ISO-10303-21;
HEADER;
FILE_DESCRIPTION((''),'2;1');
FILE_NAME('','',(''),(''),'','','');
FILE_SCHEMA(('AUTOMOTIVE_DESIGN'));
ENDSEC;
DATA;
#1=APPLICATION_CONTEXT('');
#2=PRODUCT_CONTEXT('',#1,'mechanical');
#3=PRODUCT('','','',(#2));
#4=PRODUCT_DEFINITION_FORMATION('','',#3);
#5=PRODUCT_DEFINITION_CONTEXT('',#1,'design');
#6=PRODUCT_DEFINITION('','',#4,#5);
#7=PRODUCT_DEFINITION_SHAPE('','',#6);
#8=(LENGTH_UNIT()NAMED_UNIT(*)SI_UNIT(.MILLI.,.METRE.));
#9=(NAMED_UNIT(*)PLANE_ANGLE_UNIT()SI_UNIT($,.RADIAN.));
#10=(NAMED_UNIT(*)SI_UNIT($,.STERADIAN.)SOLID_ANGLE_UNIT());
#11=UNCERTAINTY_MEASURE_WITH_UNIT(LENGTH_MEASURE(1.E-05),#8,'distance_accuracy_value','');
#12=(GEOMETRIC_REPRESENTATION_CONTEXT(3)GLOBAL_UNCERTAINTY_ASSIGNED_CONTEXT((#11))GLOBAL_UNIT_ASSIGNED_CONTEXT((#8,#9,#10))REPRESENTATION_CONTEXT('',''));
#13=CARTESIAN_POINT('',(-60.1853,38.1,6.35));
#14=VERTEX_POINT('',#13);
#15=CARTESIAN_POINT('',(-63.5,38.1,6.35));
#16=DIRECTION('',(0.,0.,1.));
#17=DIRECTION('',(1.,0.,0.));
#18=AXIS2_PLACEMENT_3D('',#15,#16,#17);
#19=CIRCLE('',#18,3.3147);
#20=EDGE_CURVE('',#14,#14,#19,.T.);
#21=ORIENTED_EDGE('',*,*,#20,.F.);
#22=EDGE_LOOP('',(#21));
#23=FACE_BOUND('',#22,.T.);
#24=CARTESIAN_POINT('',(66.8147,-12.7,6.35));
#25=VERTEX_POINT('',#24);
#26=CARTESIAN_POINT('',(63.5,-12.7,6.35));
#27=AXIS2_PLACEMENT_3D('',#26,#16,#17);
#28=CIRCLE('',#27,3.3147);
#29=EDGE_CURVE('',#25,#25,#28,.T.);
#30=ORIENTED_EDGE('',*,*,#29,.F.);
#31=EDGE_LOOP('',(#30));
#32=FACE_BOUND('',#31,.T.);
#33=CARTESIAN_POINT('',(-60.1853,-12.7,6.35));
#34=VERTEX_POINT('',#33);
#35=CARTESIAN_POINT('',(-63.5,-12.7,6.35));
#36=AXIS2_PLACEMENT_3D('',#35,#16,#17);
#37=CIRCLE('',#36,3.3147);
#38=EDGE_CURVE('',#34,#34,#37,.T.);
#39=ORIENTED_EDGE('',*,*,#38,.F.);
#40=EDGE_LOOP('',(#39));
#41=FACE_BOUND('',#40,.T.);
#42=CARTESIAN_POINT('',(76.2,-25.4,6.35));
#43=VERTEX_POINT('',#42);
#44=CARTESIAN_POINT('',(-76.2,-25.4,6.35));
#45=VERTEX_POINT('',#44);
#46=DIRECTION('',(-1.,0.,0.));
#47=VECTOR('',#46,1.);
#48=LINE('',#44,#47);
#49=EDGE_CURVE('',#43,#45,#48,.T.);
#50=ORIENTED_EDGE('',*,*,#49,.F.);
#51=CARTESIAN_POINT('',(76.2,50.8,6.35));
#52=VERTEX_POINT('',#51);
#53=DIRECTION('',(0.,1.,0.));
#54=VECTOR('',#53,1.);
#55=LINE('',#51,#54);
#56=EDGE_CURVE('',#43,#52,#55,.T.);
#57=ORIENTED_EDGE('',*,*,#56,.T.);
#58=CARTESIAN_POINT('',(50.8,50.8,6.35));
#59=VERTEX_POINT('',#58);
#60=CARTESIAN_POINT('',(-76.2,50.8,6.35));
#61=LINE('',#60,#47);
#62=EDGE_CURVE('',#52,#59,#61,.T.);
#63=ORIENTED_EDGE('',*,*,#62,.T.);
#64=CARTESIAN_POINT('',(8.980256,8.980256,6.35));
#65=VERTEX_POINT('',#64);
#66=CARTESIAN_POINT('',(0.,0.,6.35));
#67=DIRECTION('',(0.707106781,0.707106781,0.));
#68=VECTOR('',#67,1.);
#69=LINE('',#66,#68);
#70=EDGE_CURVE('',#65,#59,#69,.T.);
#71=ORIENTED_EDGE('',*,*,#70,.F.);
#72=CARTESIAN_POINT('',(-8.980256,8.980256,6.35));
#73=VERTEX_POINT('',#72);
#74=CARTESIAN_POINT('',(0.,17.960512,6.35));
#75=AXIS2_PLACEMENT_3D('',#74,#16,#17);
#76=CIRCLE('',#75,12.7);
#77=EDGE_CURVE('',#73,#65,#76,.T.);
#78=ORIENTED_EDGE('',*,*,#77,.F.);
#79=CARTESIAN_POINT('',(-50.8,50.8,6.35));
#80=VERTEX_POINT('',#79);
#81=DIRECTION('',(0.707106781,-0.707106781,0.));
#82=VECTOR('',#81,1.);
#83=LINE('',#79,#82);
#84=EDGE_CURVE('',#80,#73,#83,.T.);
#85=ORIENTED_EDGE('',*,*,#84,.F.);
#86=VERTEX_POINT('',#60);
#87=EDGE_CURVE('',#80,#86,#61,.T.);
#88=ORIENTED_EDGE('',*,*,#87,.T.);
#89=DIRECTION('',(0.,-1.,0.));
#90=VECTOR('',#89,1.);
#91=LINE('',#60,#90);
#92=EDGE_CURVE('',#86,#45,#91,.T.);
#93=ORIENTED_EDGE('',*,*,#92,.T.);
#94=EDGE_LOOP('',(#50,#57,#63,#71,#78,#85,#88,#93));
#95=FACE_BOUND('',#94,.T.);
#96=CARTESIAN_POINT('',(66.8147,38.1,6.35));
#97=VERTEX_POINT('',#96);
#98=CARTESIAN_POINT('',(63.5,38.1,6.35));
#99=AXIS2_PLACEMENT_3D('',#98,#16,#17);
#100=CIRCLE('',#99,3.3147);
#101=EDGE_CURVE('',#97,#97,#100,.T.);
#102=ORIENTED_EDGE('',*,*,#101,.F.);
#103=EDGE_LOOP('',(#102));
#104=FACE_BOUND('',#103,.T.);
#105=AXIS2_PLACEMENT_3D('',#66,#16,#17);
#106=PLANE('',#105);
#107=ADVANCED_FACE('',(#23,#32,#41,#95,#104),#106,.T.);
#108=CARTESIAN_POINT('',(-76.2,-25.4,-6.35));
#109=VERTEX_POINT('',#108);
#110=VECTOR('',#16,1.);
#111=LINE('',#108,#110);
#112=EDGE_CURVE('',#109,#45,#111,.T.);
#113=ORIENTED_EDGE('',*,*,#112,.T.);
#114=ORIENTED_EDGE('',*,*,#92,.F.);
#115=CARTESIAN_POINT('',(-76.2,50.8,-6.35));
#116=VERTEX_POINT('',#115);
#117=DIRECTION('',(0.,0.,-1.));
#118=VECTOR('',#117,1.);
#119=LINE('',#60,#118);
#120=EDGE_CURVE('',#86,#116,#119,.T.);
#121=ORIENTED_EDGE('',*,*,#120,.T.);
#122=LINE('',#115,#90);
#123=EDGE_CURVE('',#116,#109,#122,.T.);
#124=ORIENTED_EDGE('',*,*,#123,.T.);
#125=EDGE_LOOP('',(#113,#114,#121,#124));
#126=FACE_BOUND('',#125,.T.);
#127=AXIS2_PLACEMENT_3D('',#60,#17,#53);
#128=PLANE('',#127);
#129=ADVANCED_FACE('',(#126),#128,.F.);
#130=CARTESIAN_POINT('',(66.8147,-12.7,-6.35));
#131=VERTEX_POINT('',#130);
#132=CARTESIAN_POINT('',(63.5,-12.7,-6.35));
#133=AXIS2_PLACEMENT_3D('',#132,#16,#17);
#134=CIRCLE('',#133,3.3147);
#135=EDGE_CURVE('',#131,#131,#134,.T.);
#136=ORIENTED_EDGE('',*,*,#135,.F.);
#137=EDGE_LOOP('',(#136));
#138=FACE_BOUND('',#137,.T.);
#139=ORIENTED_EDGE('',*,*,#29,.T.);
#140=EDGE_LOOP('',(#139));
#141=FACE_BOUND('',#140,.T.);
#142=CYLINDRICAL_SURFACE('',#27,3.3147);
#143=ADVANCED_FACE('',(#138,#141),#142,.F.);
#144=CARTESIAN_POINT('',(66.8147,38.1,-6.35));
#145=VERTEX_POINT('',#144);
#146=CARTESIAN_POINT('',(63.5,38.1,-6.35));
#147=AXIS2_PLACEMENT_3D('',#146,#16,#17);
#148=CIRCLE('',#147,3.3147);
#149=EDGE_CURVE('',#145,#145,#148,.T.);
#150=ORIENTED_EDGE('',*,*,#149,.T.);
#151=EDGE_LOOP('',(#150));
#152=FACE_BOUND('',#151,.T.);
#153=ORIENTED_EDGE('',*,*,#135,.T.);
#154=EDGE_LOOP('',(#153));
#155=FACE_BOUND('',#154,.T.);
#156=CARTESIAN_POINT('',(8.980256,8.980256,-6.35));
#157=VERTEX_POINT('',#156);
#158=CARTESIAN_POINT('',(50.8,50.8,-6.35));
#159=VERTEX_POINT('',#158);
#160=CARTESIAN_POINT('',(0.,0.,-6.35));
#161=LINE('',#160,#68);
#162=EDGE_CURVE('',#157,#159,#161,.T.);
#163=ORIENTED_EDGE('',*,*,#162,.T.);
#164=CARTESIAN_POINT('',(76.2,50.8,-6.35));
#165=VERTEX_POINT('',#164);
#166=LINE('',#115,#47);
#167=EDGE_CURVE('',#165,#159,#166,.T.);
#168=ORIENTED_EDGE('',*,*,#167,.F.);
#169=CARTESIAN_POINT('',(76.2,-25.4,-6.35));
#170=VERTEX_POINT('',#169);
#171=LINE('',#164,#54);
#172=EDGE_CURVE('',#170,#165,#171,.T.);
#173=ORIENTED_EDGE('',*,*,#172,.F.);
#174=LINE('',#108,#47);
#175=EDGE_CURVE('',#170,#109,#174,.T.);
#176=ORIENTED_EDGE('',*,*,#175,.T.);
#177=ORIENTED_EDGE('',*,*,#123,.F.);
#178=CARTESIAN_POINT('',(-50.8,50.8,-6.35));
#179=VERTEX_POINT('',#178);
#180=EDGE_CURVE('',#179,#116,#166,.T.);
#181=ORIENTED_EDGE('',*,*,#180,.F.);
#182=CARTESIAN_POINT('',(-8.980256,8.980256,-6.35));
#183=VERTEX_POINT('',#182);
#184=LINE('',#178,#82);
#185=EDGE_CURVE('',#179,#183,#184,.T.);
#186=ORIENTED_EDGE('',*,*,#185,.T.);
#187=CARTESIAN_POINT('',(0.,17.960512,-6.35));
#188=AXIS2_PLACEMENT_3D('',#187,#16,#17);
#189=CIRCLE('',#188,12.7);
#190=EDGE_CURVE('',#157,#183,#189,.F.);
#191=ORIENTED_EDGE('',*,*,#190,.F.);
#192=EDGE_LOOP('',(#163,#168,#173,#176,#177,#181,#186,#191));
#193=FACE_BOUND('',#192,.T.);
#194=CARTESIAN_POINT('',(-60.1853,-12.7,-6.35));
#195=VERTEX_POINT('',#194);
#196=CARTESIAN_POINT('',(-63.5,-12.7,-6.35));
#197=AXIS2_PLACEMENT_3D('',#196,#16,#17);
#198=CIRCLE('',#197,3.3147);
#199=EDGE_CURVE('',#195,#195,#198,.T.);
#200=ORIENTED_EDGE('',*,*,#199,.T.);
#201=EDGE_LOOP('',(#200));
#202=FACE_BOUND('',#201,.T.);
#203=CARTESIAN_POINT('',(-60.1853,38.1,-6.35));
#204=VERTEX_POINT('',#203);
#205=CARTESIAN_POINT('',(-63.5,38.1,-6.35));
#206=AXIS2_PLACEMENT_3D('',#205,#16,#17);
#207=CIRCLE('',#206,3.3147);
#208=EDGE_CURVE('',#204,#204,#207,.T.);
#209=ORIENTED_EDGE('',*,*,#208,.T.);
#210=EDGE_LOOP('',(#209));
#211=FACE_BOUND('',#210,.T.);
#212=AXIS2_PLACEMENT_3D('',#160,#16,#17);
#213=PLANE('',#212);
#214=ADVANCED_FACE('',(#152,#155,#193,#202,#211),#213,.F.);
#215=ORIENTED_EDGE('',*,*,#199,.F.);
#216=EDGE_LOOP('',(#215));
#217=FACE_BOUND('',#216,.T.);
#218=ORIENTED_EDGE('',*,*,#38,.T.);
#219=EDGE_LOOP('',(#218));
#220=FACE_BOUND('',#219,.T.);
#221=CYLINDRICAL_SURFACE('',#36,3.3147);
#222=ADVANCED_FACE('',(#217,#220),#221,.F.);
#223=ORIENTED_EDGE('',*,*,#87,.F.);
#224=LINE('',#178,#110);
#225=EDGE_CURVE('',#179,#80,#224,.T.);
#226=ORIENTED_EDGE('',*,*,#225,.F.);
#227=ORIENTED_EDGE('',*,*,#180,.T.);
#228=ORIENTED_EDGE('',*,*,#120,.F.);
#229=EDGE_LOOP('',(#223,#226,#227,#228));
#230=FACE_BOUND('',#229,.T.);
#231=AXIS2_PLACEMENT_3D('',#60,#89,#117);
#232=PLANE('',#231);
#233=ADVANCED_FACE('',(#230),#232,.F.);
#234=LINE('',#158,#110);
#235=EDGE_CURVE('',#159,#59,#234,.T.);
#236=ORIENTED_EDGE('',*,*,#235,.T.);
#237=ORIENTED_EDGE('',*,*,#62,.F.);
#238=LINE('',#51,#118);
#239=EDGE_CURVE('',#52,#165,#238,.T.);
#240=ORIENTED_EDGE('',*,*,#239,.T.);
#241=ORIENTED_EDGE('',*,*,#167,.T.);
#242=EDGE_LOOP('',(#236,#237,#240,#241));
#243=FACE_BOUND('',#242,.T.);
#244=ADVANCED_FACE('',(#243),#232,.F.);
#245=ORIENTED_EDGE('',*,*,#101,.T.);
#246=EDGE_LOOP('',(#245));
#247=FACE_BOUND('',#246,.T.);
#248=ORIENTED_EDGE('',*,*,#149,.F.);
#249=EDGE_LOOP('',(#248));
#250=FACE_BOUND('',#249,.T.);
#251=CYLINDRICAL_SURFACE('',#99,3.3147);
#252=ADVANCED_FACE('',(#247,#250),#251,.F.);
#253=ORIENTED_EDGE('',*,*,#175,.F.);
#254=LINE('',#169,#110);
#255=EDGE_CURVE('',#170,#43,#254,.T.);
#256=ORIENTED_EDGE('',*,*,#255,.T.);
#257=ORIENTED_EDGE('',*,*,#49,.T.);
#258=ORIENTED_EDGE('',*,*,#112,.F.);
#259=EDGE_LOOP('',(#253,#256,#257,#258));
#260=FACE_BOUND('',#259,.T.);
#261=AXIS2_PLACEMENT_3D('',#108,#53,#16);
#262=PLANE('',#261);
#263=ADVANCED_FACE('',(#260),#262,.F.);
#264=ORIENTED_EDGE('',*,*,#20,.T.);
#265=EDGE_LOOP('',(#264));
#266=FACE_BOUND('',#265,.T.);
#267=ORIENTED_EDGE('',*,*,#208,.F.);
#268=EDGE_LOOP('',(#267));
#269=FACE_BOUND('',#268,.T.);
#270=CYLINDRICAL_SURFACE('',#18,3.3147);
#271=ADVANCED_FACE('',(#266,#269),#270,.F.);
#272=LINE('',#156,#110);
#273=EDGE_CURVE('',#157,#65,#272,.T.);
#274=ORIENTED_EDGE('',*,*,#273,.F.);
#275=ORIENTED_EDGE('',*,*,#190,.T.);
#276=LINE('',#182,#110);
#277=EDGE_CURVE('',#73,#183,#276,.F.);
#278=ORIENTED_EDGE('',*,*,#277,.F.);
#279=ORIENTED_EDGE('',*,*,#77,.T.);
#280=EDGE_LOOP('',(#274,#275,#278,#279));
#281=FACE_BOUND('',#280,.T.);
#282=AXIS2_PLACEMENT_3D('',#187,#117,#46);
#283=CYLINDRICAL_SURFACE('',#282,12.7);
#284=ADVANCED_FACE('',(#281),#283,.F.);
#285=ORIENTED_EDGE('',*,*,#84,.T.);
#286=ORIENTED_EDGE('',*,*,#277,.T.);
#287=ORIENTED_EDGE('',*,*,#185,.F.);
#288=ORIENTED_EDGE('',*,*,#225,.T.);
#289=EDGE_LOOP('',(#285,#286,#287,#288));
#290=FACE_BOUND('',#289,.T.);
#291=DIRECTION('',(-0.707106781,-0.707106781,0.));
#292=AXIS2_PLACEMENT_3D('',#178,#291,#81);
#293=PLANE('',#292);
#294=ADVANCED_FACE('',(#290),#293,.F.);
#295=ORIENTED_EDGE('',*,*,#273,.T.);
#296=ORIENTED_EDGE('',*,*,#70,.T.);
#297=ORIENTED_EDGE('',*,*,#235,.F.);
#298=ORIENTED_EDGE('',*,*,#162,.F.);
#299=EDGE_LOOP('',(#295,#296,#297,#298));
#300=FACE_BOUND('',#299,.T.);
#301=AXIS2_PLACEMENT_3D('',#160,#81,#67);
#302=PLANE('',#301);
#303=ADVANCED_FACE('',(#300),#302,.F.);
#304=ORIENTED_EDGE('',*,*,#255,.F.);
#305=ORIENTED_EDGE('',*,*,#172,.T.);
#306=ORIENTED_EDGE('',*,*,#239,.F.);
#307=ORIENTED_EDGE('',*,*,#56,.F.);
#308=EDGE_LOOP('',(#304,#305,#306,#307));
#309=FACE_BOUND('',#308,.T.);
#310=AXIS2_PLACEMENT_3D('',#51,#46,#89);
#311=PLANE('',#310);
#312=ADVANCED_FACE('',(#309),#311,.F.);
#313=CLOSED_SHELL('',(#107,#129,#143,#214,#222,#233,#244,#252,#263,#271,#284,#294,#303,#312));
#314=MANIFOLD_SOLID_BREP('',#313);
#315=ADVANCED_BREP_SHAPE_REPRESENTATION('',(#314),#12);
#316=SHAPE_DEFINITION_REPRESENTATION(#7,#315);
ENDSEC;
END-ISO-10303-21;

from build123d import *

# Parameters (mm, degrees)
SKETCH1_W                = 152.4
SKETCH1_H                = 101.6
BOSS_EXTRUDE1_DEPTH      = 6.35
CUT_EXTRUDE1_DEPTH       = 93.457395594
SKETCH3_W                = 152.4
SKETCH3_H                = 25.4
CUT_EXTRUDE2_DEPTH       = 93.457395594
G_0_261_DIAMETER_HOLE1_D = 6.6294
FILLET1_R                = 12.7


with BuildPart() as part:
    # Sketch1 → Boss-Extrude1 (new, symmetric)
    with BuildSketch(Plane.XY):
        Rectangle(SKETCH1_W, SKETCH1_H)
    extrude(amount=BOSS_EXTRUDE1_DEPTH, both=True)

    # Sketch2 → Cut-Extrude1 (cut, through all)
    with BuildSketch(Plane.XY.offset(6.35)):
        Polygon((0, 0), (50.8, 50.8), (-50.8, 50.8), align=None)
    extrude(amount=-CUT_EXTRUDE1_DEPTH, mode=Mode.SUBTRACT)

    # Sketch3 → Cut-Extrude2 (cut, through all)
    with BuildSketch(Plane.XY.offset(6.35)):
        with Locations((0, -38.1)):
            Rectangle(SKETCH3_W, SKETCH3_H)
    extrude(amount=-CUT_EXTRUDE2_DEPTH, mode=Mode.SUBTRACT)

    # G (0.261) Diameter Hole1 (through all)
    with Locations(Plane.XY.offset(6.35)):
        with Locations((-63.5, 38.1), (-63.5, -12.7), (63.5, -12.7), (63.5, 38.1)):
            Hole(G_0_261_DIAMETER_HOLE1_D / 2)

    # Fillet1
    fillet1_edges = [part.edges().sort_by_distance(p)[0] for p in [
        (0, 0, 0),
    ]]
    fillet(fillet1_edges, radius=FILLET1_R)


solid = part.part
